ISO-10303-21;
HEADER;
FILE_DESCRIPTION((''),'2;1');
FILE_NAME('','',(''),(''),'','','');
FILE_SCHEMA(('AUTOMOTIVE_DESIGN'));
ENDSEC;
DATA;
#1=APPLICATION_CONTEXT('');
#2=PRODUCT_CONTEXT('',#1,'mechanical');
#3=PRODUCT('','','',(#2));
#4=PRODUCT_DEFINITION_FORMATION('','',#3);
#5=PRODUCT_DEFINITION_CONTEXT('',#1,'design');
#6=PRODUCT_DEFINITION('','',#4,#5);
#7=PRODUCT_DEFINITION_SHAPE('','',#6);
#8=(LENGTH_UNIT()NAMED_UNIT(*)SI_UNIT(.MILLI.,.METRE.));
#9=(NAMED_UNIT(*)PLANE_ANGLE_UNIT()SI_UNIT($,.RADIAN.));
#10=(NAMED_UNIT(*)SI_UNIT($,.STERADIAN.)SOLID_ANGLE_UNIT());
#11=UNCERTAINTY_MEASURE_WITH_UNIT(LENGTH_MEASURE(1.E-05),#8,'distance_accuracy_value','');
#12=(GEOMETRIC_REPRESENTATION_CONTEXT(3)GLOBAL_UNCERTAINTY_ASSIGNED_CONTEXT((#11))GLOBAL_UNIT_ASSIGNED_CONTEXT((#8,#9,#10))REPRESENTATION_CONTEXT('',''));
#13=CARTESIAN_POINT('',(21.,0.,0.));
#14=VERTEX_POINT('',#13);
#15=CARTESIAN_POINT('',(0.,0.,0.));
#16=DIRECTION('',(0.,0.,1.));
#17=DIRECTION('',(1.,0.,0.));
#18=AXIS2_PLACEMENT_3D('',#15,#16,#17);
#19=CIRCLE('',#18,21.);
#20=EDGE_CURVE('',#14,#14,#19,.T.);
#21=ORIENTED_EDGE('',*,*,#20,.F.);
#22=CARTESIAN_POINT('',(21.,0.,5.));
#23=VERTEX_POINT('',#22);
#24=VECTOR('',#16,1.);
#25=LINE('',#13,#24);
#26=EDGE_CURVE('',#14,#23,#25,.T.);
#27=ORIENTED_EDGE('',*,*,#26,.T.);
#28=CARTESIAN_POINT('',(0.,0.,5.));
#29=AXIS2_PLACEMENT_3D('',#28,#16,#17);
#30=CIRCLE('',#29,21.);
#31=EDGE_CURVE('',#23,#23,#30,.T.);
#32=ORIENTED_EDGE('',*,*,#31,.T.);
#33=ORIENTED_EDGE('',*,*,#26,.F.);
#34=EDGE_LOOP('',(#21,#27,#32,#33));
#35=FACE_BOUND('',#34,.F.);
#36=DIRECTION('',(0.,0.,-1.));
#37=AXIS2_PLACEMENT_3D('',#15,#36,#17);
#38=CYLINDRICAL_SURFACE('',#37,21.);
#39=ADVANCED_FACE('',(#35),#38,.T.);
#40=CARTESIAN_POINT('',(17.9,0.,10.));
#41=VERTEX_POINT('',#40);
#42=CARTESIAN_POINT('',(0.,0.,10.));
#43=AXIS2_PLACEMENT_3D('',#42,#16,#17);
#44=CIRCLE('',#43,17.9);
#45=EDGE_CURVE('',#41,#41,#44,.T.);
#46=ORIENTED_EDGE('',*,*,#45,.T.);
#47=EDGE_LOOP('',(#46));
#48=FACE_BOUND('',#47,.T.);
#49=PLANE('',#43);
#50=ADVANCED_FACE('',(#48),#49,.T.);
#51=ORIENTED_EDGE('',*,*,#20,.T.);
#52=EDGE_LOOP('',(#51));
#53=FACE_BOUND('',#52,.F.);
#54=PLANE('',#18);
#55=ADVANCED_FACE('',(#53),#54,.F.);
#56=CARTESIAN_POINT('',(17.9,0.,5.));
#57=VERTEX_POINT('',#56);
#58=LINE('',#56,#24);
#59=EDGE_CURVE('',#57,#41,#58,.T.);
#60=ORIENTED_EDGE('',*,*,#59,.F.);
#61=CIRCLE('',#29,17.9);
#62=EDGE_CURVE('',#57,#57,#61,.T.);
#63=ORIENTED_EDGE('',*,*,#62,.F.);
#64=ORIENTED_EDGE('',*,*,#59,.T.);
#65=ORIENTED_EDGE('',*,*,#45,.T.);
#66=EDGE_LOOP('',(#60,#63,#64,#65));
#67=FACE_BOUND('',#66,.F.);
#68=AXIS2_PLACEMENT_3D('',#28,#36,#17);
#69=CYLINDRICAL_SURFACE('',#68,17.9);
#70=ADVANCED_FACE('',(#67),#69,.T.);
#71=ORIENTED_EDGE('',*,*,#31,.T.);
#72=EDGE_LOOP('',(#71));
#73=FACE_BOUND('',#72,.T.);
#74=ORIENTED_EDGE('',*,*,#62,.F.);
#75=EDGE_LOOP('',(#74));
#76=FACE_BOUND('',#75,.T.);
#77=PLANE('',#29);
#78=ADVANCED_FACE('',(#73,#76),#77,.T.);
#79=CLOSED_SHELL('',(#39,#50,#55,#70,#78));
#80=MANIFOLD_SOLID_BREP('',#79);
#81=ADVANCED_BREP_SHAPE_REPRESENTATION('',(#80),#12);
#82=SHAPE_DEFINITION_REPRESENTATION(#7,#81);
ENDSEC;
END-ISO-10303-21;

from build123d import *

# Parameters (mm, degrees)
F0_R       = 21
F0_R_2     = 17.9
F1_DEPTH   = 5
F2_R       = 17.9
F3_DEPTH   = 5
F6_R       = 10
F7_DEPTH   = 25
F4_R       = 20
F7_FACE_R  = 10
F7_FACE1_R = 10


with BuildPart() as f1:
    # F0 (on Top) → F1 (new body)
    with BuildSketch(Plane.XY):
        Circle(F0_R)
        Circle(F0_R_2, mode=Mode.SUBTRACT)
        Circle(F0_R_2)
    extrude(amount=F1_DEPTH)

    # F2 (on face) → F3 (join)
    with BuildSketch(Plane.XY.offset(5)):
        Circle(F2_R)
    extrude(amount=F3_DEPTH)


with BuildPart() as f7:
    # F6 (on offset) → F7 (new body)
    with BuildSketch(Plane(origin=(0, 0, -25), x_dir=(1, 0, 0), z_dir=(0, 0, -1))):
        Circle(F6_R)
    extrude(amount=F7_DEPTH)

    # F10: sweep along a path in F9
    with BuildLine(Plane.XZ) as f10_path:
        Line((0, -50), (0, -58.9215382934))
        add(Plane.XZ * Edge.make_bspline(
            [(0, -58.9215382934), (0.244972108, -61.8164338234), (0.7711153536, -68.033997701), (-4.6363235106, -79.4328354028), (-19.6589254166, -90.9882543348), (-29.0378853679, -98.2025712729)],
            knots=[0, 0, 0, 0, 0.2465968941, 0.529632909, 1, 1, 1, 1], degree=3))
    # F7_face1 (on face) → F10 (sweep)
    with BuildSketch(Plane(origin=(0, 0, -50), x_dir=(1, 0, 0), z_dir=(0, 0, -1))):
        Circle(F7_FACE1_R)
    sweep(path=f10_path.line, transition=Transition.RIGHT)


with BuildPart() as f8:
    # F4 (on face) → F8 section 0
    with BuildSketch(Plane(origin=(0, 0, 0), x_dir=(1, 0, 0), z_dir=(0, 0, -1))):
        Circle(F4_R)
    # F7_face (on face) → F8 section 1
    with BuildSketch(Plane.XY.offset(-25)):
        Circle(F7_FACE_R)
    loft()


solid = f1.part
